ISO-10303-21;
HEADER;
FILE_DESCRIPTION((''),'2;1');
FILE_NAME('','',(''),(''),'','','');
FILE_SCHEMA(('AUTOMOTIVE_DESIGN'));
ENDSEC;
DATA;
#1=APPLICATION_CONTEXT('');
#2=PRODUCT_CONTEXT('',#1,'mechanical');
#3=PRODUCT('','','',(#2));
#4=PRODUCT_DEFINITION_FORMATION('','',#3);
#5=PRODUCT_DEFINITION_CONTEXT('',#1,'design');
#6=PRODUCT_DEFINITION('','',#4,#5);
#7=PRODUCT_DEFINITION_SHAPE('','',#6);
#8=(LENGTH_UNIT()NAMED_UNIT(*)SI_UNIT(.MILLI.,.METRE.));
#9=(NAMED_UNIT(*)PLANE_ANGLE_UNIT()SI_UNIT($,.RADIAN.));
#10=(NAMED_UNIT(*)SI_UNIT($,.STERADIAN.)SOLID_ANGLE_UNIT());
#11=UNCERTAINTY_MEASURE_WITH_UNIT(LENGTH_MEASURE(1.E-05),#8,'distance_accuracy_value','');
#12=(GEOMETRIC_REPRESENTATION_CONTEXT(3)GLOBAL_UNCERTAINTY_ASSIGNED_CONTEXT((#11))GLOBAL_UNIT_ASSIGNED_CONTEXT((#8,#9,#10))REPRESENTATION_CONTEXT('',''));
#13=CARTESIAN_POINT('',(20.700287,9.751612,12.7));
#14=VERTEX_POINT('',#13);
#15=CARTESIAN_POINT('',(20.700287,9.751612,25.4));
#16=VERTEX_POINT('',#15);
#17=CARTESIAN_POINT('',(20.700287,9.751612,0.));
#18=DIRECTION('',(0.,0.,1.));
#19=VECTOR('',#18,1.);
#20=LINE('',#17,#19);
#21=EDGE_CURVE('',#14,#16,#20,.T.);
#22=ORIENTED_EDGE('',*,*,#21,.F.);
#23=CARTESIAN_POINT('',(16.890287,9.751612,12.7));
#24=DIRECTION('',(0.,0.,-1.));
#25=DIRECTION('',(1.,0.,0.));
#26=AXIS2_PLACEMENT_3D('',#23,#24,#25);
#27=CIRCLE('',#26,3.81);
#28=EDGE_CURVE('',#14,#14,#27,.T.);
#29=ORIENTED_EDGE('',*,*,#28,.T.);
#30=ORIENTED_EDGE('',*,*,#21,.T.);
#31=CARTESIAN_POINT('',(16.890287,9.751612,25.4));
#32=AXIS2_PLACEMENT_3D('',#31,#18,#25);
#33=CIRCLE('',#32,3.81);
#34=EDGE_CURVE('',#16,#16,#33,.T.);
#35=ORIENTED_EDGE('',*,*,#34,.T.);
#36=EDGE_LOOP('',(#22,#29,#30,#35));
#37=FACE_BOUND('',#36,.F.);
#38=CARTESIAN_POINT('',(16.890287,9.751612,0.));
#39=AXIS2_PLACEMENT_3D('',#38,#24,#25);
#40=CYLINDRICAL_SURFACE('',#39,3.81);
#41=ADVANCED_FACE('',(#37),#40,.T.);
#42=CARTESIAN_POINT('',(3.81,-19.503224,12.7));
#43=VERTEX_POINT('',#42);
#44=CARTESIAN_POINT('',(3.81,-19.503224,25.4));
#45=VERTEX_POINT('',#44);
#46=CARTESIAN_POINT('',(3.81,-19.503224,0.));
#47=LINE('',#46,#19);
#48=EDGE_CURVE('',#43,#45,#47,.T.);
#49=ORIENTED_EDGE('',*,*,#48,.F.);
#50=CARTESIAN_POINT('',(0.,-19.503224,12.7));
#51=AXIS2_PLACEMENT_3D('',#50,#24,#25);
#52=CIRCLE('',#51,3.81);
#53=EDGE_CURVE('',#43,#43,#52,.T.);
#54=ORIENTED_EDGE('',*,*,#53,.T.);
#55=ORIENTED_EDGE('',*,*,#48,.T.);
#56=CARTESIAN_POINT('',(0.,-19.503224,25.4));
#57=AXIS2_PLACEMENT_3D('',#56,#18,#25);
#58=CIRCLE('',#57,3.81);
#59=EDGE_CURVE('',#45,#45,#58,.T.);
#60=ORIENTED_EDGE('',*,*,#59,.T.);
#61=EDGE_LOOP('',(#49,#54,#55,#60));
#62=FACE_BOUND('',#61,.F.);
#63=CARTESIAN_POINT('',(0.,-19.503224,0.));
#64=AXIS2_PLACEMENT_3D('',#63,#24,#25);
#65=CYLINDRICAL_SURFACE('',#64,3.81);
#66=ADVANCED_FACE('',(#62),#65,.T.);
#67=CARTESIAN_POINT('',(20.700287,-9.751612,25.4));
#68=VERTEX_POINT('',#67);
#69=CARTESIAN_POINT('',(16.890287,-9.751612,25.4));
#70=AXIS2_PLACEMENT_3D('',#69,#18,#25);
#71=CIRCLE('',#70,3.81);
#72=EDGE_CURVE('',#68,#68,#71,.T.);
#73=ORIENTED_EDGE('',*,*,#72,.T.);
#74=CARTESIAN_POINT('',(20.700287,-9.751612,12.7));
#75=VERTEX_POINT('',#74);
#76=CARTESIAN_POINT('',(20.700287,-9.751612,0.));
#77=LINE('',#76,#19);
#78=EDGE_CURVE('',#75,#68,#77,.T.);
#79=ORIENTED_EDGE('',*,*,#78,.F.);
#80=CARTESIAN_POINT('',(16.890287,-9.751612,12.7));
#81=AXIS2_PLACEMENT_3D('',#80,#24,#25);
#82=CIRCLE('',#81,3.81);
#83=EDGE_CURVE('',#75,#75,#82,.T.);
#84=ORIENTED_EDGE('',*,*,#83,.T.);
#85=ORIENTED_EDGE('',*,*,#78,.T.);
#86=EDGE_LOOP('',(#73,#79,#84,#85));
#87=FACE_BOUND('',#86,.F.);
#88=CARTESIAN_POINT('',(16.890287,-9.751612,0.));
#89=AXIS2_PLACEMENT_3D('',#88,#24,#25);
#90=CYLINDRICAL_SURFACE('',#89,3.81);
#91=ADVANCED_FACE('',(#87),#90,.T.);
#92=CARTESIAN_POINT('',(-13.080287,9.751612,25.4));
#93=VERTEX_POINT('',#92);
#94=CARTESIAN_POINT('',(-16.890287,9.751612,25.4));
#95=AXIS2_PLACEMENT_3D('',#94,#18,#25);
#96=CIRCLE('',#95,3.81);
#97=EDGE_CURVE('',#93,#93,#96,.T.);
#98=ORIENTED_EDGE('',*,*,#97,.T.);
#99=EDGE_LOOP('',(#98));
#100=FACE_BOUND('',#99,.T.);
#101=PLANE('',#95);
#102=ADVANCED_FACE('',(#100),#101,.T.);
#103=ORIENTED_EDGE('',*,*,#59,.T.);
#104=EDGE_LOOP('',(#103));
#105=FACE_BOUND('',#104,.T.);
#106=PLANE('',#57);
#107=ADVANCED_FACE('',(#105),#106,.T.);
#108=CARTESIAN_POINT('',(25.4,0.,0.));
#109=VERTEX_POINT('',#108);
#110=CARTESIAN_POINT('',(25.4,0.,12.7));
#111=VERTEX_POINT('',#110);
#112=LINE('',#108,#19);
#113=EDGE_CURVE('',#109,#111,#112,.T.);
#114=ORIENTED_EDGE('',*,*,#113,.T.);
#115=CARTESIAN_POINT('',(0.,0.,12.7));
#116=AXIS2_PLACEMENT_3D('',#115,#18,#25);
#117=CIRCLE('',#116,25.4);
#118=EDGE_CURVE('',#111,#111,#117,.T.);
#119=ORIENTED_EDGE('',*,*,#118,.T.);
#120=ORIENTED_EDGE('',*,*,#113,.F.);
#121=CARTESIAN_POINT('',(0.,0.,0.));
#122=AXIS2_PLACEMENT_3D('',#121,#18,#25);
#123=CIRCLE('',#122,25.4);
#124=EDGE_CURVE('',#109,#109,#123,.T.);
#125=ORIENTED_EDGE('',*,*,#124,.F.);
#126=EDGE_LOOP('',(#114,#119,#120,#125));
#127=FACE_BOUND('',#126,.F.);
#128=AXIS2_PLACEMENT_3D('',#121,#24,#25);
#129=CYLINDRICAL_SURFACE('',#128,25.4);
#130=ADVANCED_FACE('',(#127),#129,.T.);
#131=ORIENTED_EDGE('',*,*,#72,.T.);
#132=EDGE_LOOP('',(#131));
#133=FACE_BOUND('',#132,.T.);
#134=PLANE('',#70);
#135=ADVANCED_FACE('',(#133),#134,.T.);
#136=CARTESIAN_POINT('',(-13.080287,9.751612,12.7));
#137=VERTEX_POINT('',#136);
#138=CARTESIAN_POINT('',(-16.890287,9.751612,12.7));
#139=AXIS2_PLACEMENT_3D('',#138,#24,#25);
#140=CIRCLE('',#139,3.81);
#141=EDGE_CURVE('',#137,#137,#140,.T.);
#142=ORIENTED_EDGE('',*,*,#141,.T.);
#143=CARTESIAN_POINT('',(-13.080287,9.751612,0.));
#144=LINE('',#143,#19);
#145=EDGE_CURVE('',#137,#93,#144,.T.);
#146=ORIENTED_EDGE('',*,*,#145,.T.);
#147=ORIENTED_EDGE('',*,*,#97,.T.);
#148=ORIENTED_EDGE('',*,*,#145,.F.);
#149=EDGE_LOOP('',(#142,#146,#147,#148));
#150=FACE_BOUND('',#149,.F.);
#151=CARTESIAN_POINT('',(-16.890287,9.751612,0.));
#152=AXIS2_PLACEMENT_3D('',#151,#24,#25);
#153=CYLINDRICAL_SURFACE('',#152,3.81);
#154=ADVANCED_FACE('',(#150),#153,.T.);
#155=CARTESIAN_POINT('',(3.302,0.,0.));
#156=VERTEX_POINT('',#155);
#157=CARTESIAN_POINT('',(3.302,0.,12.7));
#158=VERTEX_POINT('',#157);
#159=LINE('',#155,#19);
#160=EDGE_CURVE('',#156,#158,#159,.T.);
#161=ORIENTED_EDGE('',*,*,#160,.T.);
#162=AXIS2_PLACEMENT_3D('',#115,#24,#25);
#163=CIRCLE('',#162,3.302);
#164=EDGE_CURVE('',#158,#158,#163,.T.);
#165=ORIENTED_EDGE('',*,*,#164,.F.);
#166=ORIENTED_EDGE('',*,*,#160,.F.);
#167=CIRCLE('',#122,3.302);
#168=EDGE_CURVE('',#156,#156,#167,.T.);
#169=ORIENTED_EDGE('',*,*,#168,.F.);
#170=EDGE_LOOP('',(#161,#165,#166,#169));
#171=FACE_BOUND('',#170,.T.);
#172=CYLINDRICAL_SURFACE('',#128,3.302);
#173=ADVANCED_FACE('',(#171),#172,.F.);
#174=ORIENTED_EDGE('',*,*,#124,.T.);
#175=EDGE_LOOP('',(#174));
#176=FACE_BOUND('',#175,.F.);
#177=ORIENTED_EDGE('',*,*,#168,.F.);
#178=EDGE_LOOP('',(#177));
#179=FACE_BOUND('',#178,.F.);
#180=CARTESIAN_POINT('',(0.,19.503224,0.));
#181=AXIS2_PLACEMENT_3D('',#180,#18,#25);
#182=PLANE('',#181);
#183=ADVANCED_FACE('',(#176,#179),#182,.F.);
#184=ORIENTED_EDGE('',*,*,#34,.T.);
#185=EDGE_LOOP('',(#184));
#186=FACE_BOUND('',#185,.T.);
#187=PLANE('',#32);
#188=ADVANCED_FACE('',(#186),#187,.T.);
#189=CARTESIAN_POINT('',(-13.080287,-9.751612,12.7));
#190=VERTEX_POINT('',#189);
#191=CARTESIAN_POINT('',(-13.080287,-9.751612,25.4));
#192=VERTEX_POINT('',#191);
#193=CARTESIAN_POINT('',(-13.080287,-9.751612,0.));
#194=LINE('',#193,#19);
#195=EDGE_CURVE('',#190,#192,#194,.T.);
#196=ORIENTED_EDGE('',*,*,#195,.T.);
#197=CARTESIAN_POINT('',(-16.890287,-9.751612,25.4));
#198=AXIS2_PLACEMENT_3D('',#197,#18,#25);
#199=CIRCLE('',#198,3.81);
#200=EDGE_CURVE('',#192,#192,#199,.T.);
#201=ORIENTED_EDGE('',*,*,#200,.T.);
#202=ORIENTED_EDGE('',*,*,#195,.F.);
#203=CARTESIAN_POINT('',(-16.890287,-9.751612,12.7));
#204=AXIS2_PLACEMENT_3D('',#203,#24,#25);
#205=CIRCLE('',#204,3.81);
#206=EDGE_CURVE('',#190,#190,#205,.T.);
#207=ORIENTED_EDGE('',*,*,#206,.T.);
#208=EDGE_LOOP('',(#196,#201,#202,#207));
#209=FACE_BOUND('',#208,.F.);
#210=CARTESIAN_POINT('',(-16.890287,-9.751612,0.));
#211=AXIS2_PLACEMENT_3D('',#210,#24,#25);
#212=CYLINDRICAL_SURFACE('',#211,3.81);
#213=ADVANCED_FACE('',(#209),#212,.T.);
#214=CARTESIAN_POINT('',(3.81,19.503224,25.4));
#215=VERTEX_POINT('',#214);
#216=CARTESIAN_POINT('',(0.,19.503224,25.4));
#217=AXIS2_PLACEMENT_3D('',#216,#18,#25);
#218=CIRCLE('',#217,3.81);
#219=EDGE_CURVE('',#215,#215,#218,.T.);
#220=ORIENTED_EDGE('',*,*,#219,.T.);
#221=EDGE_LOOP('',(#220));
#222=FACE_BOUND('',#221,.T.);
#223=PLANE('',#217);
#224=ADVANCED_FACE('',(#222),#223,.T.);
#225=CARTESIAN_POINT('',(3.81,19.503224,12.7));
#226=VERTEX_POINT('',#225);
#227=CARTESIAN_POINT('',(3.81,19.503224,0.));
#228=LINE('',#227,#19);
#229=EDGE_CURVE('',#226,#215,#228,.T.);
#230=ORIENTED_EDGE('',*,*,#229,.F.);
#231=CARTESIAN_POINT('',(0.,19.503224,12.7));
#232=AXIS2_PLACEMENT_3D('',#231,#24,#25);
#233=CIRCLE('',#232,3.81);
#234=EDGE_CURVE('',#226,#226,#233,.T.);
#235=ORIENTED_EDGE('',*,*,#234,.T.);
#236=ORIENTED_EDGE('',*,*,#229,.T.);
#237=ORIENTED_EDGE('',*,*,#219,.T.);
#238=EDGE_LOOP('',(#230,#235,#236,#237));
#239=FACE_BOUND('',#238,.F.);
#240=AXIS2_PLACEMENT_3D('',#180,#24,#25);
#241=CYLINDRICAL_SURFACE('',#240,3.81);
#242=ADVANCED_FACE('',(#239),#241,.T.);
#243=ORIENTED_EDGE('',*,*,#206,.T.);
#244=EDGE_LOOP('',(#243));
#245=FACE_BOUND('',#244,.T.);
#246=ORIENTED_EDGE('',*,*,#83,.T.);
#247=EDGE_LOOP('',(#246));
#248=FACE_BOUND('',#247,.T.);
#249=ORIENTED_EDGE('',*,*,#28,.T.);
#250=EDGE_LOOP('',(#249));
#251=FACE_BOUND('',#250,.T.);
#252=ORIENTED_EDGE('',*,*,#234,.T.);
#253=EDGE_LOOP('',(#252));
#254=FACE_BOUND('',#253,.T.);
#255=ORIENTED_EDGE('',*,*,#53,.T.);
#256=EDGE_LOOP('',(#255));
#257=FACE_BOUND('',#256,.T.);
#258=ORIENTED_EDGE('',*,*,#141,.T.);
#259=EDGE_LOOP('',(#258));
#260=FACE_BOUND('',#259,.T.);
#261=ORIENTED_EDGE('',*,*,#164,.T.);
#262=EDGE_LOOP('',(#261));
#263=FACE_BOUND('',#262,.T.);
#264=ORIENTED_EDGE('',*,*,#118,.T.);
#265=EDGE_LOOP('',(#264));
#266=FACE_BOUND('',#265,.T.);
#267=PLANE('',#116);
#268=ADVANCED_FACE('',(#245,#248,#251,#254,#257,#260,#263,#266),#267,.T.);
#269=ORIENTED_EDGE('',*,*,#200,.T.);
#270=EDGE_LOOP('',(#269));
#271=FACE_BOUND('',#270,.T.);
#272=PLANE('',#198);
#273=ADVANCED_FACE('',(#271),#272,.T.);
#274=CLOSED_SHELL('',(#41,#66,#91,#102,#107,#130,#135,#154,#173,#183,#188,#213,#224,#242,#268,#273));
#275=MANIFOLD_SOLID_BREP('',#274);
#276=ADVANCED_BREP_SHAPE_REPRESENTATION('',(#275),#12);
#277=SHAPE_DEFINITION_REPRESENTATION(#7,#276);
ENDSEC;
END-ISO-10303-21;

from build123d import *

# Parameters (mm, degrees)
F0_R     = 25.4
F2_DEPTH = 12.7
F1_R     = 3.81
F3_DEPTH = 25.4
F4_R     = 3.302
F5_DEPTH = 25.4


with BuildPart() as f2:
    # F0 (on Top) → F2 (new body)
    with BuildSketch(Plane.XY):
        Circle(F0_R)
    extrude(amount=F2_DEPTH)

    # F1 (on Top) → F3 (join)
    with BuildSketch(Plane.XY):
        with Locations((0, 19.503224)):
            Circle(F1_R)
        with Locations((-16.890287, 9.751612)):
            Circle(F1_R)
        with Locations((-16.890287, -9.751612)):
            Circle(F1_R)
        with Locations((0, -19.503224)):
            Circle(F1_R)
        with Locations((16.890287, -9.751612)):
            Circle(F1_R)
        with Locations((16.890287, 9.751612)):
            Circle(F1_R)
    extrude(amount=F3_DEPTH)

    # F4 (on Top) → F5 (cut)
    with BuildSketch(Plane.XY):
        Circle(F4_R)
    extrude(amount=F5_DEPTH, mode=Mode.SUBTRACT)


solid = f2.part
